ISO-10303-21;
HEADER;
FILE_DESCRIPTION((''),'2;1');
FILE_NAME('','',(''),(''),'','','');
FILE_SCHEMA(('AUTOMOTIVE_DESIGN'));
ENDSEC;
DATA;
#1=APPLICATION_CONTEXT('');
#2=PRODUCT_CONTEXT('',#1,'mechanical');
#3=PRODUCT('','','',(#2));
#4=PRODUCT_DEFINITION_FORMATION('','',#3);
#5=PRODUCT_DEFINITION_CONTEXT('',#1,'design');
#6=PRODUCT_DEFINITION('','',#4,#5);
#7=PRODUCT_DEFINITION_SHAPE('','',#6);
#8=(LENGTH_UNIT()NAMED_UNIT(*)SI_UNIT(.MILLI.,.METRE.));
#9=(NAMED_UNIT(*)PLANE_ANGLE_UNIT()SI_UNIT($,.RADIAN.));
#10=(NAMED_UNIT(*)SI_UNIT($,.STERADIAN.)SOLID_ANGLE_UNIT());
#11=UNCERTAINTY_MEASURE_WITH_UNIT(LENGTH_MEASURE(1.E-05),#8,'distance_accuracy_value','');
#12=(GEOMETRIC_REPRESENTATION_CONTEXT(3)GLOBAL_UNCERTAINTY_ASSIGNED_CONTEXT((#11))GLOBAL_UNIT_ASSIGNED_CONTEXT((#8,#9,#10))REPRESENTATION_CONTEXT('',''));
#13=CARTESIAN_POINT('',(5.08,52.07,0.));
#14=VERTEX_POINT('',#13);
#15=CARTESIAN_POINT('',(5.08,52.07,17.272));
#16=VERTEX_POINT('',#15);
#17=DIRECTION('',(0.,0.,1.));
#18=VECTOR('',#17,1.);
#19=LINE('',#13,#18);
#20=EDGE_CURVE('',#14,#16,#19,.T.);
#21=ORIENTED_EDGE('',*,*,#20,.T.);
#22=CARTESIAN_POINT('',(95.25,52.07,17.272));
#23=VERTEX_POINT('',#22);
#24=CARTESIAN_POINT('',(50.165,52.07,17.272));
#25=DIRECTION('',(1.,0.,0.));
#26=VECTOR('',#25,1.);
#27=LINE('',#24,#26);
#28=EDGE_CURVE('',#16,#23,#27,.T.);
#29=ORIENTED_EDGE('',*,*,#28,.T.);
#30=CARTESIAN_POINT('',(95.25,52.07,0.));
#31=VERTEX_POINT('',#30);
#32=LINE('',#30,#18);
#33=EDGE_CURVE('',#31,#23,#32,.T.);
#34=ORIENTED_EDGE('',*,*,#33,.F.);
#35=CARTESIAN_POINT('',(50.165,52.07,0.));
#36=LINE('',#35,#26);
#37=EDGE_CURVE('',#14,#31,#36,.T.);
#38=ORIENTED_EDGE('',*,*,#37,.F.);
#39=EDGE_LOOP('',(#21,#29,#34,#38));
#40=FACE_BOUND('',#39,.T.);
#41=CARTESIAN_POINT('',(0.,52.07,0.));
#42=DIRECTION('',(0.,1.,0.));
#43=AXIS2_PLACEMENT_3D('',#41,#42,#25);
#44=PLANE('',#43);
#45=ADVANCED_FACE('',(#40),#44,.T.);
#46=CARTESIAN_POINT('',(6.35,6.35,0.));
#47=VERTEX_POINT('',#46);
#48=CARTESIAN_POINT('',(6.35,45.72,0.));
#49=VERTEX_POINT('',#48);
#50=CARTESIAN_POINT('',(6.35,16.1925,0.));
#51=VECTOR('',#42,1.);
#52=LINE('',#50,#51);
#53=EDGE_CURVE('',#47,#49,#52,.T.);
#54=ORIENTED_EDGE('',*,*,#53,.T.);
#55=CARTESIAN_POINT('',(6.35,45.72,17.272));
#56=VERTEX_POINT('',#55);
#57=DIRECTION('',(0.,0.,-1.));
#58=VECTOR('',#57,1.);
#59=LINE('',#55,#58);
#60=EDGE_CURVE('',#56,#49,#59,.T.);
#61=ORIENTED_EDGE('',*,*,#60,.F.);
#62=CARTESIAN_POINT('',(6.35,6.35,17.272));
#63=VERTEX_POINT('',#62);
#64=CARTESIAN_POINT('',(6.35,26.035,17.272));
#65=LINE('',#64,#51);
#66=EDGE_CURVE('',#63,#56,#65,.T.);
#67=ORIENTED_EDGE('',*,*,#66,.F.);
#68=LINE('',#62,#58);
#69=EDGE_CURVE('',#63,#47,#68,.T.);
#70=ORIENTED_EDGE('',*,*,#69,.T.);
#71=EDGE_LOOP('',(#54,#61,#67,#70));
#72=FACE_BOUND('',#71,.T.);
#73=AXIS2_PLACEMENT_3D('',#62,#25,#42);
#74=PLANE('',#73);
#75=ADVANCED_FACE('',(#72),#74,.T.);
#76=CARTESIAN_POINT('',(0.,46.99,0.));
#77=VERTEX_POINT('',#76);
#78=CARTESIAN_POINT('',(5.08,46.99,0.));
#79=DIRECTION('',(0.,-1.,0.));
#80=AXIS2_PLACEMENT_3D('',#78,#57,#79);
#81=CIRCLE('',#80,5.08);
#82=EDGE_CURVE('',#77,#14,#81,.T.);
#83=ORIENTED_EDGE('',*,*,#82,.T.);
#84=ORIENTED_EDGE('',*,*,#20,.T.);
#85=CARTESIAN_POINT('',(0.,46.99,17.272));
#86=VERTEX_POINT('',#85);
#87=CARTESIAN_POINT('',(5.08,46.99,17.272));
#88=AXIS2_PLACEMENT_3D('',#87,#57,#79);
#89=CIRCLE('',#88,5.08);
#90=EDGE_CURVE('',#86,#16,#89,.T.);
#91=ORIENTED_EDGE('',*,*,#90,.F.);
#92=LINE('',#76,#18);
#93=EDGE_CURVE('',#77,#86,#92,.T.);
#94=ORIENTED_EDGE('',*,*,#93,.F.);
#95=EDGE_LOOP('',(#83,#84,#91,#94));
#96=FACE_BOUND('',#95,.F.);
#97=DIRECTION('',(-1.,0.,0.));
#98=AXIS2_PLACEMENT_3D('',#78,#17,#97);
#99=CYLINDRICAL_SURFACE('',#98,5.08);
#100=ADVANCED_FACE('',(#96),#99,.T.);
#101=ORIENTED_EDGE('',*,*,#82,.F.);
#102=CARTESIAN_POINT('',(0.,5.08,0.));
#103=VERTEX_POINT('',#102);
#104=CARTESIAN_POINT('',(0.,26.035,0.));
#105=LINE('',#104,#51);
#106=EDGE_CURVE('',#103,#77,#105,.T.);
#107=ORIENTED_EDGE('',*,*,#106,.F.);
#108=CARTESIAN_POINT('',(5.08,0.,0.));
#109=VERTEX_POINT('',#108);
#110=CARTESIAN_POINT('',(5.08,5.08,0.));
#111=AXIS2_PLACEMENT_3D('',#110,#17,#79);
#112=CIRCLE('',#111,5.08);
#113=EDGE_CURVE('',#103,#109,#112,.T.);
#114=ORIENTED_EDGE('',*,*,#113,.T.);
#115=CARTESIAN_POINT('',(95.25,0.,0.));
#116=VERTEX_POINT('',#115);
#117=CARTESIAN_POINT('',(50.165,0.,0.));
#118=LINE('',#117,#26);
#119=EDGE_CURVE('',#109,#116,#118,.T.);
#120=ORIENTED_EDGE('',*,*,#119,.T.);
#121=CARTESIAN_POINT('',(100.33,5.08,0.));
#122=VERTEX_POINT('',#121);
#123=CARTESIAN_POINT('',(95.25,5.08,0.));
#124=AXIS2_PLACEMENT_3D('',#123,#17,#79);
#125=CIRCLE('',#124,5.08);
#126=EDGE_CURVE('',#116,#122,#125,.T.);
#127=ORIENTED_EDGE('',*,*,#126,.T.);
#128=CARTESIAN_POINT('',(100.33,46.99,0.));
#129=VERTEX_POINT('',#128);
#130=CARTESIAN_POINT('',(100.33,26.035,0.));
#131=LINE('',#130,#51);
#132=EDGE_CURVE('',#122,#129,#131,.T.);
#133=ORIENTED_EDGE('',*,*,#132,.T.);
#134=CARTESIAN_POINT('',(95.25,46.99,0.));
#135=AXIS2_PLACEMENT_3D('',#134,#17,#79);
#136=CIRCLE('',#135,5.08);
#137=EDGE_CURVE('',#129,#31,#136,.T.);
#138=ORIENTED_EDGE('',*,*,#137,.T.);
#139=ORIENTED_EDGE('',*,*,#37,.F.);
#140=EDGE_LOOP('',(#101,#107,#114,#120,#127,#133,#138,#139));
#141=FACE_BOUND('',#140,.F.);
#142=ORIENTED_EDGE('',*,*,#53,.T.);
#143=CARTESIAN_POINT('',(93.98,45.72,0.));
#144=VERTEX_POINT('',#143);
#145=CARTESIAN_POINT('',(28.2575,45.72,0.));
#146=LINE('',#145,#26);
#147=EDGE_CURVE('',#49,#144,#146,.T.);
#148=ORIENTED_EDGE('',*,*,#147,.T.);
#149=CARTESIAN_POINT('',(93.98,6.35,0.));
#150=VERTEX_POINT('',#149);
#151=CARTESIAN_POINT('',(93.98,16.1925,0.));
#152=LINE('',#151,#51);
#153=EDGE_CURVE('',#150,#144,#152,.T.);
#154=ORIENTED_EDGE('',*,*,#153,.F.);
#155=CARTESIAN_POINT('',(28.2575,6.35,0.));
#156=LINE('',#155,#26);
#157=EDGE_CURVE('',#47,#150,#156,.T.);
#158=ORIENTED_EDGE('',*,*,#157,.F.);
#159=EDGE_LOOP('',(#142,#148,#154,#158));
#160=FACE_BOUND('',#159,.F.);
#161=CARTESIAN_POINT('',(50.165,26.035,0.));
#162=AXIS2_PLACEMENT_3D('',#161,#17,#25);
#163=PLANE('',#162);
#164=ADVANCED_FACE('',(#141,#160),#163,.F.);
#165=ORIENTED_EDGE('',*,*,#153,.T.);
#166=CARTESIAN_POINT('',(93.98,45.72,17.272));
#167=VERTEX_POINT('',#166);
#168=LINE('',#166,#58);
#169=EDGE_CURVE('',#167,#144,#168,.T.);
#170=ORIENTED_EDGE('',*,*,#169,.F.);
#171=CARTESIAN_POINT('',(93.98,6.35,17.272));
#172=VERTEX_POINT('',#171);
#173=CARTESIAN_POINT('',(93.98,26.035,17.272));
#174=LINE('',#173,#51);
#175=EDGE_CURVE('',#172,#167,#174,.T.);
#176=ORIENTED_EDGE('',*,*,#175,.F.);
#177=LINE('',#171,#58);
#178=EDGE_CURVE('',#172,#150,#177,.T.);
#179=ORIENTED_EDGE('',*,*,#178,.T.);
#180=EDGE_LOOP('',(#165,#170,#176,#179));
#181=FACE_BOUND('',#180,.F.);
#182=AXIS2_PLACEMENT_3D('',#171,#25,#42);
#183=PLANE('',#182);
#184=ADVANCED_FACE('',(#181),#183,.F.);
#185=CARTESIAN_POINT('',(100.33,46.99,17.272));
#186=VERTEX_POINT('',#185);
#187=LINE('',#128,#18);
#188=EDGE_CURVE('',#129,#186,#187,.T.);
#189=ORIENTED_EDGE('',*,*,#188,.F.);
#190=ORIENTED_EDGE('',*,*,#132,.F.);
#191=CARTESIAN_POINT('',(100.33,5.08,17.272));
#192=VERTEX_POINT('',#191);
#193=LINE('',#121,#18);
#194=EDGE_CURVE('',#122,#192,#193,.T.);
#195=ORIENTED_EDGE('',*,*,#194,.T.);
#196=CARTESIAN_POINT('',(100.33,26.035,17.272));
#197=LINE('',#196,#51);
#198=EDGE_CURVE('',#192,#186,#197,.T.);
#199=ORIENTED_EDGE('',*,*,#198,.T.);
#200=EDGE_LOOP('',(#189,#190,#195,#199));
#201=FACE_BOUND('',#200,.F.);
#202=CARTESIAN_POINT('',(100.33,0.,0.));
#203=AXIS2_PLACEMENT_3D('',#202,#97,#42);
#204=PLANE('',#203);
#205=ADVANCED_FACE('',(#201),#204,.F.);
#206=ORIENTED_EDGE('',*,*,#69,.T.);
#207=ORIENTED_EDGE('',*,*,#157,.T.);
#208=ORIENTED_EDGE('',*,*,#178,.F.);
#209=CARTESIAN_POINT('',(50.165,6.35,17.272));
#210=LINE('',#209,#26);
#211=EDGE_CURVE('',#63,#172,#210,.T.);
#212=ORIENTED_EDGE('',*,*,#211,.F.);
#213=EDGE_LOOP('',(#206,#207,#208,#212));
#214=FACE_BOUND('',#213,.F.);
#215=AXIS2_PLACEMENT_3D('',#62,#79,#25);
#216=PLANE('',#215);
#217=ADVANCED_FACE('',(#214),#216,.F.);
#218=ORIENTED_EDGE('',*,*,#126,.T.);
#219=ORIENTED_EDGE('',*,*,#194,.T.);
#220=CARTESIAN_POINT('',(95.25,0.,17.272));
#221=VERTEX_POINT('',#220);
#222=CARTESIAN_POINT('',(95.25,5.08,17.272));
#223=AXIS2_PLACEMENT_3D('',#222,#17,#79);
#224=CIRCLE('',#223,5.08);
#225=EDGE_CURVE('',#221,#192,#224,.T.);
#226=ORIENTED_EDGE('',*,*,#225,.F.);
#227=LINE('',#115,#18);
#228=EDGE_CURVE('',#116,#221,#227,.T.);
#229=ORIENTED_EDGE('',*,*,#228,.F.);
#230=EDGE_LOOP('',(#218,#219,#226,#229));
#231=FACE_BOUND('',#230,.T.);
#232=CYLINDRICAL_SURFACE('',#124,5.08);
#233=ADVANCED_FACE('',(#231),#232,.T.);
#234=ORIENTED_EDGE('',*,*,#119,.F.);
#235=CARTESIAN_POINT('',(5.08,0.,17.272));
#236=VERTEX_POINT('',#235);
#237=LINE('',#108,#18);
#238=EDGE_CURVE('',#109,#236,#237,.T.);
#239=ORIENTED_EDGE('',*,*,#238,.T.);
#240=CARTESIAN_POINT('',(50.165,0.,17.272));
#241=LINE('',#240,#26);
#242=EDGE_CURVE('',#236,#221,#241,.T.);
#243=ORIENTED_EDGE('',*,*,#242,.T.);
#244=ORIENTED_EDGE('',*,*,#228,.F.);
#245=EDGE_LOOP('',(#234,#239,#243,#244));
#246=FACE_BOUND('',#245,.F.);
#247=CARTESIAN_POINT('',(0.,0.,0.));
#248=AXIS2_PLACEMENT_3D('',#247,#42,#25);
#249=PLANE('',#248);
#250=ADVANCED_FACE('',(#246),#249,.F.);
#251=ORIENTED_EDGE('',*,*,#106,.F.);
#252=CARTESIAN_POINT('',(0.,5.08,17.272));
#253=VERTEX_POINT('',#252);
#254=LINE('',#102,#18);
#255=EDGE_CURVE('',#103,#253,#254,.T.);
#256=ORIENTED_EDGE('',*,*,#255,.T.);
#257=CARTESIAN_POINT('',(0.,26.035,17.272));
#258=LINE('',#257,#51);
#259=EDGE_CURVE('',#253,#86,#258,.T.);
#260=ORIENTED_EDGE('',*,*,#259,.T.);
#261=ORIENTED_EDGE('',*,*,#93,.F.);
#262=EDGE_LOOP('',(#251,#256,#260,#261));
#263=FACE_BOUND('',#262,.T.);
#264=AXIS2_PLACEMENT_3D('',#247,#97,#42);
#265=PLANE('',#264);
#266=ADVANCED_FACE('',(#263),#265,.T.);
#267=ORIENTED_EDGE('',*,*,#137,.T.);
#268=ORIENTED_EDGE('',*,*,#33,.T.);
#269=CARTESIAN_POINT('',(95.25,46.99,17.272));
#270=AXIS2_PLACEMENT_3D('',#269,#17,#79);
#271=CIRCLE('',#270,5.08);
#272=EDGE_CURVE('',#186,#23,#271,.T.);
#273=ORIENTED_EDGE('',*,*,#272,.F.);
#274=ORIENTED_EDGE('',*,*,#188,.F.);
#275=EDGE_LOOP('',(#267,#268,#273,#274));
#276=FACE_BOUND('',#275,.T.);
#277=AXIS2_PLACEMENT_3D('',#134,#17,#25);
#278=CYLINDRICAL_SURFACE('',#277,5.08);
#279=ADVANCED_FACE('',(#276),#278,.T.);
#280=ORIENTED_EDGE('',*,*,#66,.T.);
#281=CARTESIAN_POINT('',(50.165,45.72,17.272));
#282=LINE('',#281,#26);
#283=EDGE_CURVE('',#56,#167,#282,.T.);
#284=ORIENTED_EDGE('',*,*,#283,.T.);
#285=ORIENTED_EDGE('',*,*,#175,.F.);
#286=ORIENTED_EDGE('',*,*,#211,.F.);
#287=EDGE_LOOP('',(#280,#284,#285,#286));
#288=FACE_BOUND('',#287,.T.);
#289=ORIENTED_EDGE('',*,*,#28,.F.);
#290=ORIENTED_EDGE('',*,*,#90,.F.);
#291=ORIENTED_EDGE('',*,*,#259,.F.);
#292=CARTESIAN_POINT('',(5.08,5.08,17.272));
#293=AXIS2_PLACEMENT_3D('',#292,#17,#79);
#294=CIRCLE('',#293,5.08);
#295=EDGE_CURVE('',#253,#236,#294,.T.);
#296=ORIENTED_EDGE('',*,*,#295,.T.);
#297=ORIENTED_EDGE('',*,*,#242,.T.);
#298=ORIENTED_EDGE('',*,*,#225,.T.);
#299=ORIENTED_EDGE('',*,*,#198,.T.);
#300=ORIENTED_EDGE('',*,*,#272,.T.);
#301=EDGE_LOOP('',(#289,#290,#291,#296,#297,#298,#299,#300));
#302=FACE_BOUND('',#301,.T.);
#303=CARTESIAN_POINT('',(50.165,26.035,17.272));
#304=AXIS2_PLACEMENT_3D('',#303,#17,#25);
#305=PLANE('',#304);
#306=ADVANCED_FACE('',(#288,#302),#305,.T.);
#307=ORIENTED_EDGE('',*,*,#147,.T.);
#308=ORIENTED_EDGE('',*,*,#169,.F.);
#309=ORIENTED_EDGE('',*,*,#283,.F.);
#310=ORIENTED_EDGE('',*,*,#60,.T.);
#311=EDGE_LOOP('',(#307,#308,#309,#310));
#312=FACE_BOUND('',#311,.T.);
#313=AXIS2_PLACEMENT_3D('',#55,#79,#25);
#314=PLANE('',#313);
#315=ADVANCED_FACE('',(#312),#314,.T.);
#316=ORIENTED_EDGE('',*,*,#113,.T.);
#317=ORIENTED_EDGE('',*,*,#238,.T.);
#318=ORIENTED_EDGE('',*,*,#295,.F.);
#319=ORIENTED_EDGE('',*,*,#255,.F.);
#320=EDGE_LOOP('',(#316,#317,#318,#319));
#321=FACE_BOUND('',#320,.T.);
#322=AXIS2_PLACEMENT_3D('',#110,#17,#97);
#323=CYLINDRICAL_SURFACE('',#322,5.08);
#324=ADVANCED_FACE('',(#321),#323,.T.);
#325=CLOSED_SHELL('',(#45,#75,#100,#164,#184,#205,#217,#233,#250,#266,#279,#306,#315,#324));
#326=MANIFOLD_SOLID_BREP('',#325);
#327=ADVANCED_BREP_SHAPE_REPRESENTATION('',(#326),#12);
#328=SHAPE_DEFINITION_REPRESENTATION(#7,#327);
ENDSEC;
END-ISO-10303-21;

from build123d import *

# Parameters (mm, degrees)
F0_W     = 100.33
F0_H     = 52.07
F1_DEPTH = 17.272
F2_R     = 5.08
F3_W     = 87.63
F3_H     = 39.37
F4_DEPTH = 25.4


with BuildPart() as f1:
    # F0 (on Top) → F1 (new body)
    with BuildSketch(Plane.XY):
        with Locations((50.165, 26.035)):
            Rectangle(F0_W, F0_H)
    extrude(amount=F1_DEPTH)

    # F2
    f2_edges = [f1.edges().sort_by_distance(p)[0] for p in [
        (0, 52.07, 8.636),
        (0, 0, 8.636),
        (100.33, 0, 8.636),
        (100.33, 52.07, 8.636),
    ]]
    fillet(f2_edges, radius=F2_R)

    # F3 (on face) → F4 (cut)
    with BuildSketch(Plane.XY.offset(17.272)):
        with Locations((50.165, 26.035)):
            Rectangle(F3_W, F3_H)
    extrude(amount=-F4_DEPTH, mode=Mode.SUBTRACT)


solid = f1.part
